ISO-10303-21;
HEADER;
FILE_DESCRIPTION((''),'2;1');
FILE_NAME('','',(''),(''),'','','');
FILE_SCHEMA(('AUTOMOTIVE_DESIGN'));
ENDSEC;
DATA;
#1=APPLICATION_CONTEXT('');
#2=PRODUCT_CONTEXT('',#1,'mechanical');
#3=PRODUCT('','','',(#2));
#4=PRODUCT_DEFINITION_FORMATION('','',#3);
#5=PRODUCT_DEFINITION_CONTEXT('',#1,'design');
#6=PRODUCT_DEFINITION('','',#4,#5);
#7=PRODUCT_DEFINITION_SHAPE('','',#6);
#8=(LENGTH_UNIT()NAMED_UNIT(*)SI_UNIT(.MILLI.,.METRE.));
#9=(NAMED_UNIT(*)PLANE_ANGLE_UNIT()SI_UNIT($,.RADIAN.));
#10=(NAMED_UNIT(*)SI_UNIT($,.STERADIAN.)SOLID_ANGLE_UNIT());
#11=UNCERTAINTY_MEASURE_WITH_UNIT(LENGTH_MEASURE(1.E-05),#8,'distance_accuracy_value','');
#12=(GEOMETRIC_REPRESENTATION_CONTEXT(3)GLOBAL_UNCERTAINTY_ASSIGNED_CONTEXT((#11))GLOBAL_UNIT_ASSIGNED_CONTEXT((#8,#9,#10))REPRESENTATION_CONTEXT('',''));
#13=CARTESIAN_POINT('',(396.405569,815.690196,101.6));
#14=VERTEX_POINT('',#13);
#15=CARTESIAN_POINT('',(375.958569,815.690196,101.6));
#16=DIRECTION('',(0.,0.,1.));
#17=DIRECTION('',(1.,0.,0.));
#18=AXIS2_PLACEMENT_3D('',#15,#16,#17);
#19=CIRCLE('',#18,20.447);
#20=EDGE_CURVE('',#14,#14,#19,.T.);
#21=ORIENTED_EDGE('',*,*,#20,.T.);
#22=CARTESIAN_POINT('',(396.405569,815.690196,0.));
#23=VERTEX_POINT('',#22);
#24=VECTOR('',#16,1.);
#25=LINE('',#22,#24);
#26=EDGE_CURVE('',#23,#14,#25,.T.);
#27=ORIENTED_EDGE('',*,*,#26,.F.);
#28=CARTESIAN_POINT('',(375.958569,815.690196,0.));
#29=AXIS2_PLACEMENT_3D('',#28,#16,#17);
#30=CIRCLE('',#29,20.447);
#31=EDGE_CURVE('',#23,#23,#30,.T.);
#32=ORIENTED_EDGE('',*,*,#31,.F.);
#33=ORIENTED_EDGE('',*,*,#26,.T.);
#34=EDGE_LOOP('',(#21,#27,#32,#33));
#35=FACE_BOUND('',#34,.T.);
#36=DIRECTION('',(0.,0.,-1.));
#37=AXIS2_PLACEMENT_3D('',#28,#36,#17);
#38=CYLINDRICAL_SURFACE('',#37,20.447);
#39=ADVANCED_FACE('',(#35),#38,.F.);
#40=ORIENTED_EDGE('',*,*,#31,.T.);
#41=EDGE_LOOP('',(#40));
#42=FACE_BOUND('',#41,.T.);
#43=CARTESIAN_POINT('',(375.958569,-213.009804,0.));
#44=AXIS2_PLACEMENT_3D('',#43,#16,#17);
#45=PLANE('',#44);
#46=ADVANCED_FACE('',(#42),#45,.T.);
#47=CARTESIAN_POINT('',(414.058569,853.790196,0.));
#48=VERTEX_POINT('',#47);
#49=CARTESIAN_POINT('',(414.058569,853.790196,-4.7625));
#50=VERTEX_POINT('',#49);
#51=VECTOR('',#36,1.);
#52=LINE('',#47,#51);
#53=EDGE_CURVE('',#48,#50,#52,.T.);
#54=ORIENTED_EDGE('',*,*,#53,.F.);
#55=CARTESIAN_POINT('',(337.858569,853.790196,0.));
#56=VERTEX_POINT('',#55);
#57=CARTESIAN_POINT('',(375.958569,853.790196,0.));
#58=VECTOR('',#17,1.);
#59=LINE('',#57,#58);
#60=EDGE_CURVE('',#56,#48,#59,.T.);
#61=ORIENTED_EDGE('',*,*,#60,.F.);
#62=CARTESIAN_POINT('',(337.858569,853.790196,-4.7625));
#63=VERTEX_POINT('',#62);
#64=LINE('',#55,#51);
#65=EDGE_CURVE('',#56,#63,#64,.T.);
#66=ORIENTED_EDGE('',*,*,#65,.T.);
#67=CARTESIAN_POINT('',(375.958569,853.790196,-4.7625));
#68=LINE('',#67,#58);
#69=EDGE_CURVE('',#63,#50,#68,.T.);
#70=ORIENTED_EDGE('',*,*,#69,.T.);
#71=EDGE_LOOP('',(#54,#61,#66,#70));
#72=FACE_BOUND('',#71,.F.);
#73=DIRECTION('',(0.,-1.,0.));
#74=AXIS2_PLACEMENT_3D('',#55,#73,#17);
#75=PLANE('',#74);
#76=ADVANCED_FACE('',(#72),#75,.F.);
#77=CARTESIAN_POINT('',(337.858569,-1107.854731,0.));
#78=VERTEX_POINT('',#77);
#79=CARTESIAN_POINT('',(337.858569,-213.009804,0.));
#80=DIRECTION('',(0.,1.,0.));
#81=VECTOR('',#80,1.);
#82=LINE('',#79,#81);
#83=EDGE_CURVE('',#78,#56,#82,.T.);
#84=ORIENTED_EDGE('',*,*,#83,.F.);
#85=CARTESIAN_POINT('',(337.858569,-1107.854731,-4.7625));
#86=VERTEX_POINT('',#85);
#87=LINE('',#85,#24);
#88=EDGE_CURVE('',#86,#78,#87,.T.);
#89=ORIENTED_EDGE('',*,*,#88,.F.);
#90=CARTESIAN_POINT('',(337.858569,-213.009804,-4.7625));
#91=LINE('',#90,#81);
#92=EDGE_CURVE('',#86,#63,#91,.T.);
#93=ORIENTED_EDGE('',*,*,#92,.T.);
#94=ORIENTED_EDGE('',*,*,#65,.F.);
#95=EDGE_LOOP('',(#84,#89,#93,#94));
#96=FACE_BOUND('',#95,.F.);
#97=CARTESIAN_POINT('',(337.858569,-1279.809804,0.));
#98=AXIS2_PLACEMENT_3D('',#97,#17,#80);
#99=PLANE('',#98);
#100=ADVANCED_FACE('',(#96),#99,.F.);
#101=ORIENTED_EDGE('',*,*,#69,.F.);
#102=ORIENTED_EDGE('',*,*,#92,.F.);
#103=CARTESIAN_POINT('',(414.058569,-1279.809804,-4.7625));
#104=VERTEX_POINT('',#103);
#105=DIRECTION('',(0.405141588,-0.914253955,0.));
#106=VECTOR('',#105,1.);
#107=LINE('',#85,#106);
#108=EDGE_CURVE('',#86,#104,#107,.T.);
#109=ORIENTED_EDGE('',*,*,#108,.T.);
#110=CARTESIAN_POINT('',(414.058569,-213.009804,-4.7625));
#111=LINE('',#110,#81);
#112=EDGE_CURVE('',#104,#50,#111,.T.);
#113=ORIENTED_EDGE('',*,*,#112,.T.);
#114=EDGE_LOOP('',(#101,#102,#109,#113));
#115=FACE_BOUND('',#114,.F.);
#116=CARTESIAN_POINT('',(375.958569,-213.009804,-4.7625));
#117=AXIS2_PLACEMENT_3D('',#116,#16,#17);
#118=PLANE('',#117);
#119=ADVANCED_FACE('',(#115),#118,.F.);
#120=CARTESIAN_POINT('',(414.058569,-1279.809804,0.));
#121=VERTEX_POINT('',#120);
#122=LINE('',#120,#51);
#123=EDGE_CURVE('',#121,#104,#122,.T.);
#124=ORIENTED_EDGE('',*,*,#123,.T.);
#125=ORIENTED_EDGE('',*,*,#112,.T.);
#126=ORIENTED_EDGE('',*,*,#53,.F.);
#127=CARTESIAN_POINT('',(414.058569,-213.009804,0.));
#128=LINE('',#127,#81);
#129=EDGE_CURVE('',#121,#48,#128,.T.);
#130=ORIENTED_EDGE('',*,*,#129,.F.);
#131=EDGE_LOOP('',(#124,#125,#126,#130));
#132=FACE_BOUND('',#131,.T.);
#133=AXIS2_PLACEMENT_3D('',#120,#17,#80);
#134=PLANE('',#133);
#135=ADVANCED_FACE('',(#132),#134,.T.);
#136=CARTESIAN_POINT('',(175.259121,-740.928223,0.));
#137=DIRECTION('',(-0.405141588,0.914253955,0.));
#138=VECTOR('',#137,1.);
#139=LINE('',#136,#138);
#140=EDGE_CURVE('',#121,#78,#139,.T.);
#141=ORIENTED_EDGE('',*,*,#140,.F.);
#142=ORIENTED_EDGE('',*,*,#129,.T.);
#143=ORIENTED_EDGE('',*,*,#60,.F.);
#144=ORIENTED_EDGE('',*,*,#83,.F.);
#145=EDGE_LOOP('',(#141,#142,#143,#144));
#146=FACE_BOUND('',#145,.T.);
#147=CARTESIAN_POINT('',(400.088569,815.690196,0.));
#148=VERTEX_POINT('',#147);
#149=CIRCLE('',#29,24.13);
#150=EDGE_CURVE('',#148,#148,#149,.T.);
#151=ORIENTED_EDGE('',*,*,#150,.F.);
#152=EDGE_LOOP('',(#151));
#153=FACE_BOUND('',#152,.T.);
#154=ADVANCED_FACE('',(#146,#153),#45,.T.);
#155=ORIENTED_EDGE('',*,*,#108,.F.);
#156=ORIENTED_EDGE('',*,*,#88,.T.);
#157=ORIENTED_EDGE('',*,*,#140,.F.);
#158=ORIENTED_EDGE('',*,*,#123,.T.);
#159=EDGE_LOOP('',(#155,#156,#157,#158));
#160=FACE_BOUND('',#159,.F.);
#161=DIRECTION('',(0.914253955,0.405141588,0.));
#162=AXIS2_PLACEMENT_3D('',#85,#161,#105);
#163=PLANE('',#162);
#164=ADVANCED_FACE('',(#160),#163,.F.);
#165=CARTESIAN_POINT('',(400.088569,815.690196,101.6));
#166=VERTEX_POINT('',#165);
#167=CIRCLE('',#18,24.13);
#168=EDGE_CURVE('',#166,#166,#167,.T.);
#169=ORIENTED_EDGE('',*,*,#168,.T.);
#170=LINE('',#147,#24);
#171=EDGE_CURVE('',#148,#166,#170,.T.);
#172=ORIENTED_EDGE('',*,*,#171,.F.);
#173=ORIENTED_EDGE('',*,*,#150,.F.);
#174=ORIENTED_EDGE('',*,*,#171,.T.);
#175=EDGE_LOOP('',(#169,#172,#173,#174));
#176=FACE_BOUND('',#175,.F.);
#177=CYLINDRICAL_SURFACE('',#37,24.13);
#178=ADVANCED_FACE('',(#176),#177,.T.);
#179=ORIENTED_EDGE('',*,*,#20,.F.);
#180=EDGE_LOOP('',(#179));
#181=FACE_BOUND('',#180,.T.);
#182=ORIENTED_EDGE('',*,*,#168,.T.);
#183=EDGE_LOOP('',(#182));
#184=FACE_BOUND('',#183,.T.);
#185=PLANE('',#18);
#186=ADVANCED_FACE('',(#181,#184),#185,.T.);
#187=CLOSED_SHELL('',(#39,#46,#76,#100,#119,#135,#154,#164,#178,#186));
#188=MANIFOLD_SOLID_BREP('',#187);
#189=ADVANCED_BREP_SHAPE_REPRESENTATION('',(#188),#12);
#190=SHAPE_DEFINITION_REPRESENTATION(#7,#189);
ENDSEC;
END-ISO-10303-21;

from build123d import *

# Parameters (mm, degrees)
F0_W     = 76.2
F0_H     = 2133.6
F1_DEPTH = 4.7625
F2_R     = 24.13
F2_R_2   = 20.447
F3_DEPTH = 101.6
F5_DEPTH = 35.814


with BuildPart() as f1:
    # F0 (on Top) → F1 (new body)
    with BuildSketch(Plane.XY):
        with Locations((375.958569, -213.009804)):
            Rectangle(F0_W, F0_H)
    extrude(amount=-F1_DEPTH)

    # F2 (on face) → F3 (join)
    with BuildSketch(Plane.XY):
        with Locations((375.958569, 815.690196)):
            Circle(F2_R)
        with Locations((375.958569, 815.690196)):
            Circle(F2_R_2, mode=Mode.SUBTRACT)
    extrude(amount=F3_DEPTH)

    # F4 (on face) → F5 (cut)
    with BuildSketch(Plane(origin=(0, 0, -4.7625), x_dir=(1, 0, 0), z_dir=(0, 0, -1))):
        Polygon((337.858569, 1107.854731), (414.058569, 1279.809804), (337.858569, 1279.809804), align=None)
    extrude(amount=-F5_DEPTH, mode=Mode.SUBTRACT)


solid = f1.part
